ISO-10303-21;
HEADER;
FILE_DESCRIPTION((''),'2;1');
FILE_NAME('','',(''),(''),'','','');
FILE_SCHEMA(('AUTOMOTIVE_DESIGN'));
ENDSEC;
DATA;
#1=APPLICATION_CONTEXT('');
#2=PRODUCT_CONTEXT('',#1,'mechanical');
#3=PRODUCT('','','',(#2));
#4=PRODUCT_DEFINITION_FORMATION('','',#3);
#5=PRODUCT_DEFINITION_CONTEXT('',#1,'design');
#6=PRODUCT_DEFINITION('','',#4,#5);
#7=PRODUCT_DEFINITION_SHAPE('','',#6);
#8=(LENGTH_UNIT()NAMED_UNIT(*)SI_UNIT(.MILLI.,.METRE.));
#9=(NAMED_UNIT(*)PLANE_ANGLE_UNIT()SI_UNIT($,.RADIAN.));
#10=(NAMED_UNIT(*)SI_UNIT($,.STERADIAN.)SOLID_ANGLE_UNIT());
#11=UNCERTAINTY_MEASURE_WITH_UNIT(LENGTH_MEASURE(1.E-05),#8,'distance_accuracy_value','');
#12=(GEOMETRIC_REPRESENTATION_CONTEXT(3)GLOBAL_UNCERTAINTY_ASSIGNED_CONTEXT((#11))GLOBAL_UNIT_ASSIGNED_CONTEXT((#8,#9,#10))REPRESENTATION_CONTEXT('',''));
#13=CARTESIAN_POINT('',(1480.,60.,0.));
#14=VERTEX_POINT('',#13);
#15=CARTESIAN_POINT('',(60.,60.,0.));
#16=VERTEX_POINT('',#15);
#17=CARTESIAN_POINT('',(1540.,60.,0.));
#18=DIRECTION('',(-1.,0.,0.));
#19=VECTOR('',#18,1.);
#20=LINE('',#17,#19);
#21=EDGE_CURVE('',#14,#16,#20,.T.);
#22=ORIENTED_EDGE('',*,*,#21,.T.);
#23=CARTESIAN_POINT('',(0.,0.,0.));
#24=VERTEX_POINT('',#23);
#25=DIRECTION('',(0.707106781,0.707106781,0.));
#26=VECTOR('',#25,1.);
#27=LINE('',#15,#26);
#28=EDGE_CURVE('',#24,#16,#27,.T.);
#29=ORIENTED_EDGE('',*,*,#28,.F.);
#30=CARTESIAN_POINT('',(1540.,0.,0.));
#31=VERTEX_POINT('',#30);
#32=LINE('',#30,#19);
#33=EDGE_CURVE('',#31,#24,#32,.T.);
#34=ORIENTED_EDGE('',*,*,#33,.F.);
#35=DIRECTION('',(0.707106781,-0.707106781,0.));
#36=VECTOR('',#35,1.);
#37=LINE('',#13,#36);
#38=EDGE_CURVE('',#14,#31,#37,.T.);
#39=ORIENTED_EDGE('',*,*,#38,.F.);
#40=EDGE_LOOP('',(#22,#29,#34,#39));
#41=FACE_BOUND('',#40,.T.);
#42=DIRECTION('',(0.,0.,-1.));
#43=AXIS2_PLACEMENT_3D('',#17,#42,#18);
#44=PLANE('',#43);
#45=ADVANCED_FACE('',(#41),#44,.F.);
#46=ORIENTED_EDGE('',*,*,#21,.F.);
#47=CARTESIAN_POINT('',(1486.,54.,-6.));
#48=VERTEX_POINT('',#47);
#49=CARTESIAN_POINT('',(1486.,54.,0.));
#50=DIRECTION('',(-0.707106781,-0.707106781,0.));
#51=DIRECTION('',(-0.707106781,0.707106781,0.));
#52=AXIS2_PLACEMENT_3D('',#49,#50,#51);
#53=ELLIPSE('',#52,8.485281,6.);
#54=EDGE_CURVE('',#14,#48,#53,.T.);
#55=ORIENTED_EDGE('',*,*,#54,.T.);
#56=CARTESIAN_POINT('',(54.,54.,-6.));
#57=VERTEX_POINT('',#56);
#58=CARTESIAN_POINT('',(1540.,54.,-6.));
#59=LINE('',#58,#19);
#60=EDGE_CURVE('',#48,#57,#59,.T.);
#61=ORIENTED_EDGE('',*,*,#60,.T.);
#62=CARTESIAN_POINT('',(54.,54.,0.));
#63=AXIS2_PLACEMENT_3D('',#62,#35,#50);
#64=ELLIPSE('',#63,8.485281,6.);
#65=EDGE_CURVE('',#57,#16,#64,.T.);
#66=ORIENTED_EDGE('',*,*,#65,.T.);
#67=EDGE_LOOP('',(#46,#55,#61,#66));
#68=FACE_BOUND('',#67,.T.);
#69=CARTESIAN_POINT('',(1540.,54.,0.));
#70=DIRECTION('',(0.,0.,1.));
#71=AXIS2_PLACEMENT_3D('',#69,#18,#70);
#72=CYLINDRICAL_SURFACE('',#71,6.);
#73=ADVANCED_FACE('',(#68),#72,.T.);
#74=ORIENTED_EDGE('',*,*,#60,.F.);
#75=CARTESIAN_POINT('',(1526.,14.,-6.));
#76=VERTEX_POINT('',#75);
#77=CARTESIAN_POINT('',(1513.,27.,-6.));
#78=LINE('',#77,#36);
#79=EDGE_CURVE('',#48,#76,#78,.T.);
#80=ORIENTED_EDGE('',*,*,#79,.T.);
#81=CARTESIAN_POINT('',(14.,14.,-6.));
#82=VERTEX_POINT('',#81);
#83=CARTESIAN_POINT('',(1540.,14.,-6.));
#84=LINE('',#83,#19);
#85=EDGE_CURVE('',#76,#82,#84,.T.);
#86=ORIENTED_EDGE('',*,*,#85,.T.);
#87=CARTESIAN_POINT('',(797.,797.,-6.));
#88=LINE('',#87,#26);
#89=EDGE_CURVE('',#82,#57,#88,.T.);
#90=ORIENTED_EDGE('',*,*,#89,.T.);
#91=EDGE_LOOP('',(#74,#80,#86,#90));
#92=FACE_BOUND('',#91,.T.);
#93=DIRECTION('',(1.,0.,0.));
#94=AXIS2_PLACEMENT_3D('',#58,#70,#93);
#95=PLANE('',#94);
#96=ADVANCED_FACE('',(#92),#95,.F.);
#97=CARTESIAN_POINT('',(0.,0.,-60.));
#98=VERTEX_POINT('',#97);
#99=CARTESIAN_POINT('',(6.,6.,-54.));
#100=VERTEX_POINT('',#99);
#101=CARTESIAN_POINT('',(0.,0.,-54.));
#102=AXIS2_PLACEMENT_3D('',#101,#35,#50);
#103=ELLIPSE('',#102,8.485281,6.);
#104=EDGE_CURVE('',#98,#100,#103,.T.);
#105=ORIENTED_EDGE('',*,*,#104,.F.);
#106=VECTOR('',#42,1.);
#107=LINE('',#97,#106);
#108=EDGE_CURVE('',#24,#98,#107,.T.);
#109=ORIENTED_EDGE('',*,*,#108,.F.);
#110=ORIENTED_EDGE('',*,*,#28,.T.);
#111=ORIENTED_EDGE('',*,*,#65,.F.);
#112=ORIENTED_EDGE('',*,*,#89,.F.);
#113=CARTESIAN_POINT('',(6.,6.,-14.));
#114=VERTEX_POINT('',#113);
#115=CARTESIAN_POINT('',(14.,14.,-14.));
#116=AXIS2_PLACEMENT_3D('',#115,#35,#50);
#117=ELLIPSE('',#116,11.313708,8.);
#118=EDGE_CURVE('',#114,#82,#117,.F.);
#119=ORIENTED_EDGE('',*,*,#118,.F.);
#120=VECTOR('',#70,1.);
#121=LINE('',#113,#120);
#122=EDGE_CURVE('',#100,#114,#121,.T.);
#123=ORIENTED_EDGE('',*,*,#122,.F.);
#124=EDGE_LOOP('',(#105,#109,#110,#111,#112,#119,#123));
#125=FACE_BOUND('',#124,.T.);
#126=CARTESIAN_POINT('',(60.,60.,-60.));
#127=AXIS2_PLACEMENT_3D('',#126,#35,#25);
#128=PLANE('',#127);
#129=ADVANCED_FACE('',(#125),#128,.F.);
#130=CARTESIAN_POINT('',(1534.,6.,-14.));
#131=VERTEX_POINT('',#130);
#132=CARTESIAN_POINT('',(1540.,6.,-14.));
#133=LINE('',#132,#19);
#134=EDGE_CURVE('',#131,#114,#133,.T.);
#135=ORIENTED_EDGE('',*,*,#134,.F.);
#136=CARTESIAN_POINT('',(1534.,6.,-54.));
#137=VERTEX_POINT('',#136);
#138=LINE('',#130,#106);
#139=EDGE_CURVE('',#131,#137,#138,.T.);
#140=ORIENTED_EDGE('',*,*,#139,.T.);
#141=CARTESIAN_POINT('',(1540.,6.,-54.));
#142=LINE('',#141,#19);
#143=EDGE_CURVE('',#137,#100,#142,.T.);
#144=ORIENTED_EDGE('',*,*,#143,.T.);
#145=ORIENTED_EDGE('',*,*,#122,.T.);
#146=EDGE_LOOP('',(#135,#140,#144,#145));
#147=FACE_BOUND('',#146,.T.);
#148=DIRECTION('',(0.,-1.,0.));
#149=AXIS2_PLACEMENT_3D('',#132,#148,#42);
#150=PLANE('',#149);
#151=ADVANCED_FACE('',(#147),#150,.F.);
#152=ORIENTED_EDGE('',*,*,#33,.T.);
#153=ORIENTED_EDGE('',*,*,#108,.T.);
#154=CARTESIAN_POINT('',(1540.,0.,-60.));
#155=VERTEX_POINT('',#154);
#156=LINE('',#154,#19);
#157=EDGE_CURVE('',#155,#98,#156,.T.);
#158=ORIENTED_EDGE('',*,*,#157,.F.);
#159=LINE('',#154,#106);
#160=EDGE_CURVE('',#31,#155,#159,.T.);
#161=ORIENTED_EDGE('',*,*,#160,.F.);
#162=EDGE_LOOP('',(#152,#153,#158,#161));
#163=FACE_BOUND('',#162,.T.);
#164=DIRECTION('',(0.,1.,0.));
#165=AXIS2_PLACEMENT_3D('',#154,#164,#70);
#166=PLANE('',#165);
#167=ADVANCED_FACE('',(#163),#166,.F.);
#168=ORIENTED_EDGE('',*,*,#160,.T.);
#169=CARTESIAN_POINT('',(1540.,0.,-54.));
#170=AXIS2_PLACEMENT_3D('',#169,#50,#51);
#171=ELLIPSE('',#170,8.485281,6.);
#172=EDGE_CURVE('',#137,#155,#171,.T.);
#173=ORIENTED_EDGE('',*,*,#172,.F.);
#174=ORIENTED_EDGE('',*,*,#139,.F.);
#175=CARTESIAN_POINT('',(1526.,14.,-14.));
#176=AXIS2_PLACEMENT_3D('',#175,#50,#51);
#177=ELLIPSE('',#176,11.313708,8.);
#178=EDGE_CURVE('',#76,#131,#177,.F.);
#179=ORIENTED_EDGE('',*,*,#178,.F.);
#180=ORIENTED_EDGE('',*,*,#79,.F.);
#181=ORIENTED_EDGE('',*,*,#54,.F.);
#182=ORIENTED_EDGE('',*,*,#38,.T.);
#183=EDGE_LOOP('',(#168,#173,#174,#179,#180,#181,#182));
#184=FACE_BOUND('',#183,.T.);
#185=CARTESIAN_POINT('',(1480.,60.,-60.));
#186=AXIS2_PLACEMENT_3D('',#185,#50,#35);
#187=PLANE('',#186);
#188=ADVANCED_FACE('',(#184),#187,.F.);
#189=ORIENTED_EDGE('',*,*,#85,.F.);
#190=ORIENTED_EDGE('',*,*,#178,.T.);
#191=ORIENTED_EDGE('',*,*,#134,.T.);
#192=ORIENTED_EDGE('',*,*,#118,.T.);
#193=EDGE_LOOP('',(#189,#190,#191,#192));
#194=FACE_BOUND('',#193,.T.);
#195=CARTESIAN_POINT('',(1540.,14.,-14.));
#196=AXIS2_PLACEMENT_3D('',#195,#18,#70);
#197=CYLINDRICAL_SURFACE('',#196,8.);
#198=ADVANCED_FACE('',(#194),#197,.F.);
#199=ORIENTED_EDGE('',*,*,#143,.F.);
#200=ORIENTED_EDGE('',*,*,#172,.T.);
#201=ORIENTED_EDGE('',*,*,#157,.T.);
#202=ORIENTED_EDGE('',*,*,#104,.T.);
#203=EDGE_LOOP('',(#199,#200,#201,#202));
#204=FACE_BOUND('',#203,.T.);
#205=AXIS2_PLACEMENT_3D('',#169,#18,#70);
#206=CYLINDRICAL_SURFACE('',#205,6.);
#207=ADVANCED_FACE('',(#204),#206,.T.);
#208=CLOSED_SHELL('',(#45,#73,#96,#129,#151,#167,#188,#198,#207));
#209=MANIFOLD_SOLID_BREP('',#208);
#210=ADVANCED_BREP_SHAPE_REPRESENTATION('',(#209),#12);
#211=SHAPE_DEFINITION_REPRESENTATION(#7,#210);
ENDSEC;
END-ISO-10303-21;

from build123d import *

# Parameters (mm, degrees)
L_ANGLE_EQUAL_60X60X6_4_DEPTH = 1540
CUT_EXTRUDE1_DEPTH            = 1543.335890784


with BuildPart() as part:
    # Sketch17 → L angle (equal) 60X60X6(4) (new body)
    with BuildSketch(Plane(origin=(0, 0, 0), x_dir=(0, 0, -1), z_dir=(1, 0, 0))):
        with BuildLine():
            Line((0, 60), (0, 0))
            Line((0, 0), (60, 0))
            ThreePointArc((60, 0), (58.242640687, 4.242640687), (54, 6))
            Line((54, 6), (14, 6))
            ThreePointArc((14, 6), (8.343145751, 8.343145751), (6, 14))
            Line((6, 14), (6, 54))
            ThreePointArc((6, 54), (4.242640687, 58.242640687), (0, 60))
        make_face()
    extrude(amount=L_ANGLE_EQUAL_60X60X6_4_DEPTH)

    # Sketch14 → Cut-Extrude1 (cut, through all)
    with BuildSketch(Plane.XY):
        Polygon((1540, 0), (1540, 60), (1480, 60), align=None)
        Polygon((0, 60), (0, 0), (60, 60), align=None)
    extrude(amount=-CUT_EXTRUDE1_DEPTH, mode=Mode.SUBTRACT)


solid = part.part
